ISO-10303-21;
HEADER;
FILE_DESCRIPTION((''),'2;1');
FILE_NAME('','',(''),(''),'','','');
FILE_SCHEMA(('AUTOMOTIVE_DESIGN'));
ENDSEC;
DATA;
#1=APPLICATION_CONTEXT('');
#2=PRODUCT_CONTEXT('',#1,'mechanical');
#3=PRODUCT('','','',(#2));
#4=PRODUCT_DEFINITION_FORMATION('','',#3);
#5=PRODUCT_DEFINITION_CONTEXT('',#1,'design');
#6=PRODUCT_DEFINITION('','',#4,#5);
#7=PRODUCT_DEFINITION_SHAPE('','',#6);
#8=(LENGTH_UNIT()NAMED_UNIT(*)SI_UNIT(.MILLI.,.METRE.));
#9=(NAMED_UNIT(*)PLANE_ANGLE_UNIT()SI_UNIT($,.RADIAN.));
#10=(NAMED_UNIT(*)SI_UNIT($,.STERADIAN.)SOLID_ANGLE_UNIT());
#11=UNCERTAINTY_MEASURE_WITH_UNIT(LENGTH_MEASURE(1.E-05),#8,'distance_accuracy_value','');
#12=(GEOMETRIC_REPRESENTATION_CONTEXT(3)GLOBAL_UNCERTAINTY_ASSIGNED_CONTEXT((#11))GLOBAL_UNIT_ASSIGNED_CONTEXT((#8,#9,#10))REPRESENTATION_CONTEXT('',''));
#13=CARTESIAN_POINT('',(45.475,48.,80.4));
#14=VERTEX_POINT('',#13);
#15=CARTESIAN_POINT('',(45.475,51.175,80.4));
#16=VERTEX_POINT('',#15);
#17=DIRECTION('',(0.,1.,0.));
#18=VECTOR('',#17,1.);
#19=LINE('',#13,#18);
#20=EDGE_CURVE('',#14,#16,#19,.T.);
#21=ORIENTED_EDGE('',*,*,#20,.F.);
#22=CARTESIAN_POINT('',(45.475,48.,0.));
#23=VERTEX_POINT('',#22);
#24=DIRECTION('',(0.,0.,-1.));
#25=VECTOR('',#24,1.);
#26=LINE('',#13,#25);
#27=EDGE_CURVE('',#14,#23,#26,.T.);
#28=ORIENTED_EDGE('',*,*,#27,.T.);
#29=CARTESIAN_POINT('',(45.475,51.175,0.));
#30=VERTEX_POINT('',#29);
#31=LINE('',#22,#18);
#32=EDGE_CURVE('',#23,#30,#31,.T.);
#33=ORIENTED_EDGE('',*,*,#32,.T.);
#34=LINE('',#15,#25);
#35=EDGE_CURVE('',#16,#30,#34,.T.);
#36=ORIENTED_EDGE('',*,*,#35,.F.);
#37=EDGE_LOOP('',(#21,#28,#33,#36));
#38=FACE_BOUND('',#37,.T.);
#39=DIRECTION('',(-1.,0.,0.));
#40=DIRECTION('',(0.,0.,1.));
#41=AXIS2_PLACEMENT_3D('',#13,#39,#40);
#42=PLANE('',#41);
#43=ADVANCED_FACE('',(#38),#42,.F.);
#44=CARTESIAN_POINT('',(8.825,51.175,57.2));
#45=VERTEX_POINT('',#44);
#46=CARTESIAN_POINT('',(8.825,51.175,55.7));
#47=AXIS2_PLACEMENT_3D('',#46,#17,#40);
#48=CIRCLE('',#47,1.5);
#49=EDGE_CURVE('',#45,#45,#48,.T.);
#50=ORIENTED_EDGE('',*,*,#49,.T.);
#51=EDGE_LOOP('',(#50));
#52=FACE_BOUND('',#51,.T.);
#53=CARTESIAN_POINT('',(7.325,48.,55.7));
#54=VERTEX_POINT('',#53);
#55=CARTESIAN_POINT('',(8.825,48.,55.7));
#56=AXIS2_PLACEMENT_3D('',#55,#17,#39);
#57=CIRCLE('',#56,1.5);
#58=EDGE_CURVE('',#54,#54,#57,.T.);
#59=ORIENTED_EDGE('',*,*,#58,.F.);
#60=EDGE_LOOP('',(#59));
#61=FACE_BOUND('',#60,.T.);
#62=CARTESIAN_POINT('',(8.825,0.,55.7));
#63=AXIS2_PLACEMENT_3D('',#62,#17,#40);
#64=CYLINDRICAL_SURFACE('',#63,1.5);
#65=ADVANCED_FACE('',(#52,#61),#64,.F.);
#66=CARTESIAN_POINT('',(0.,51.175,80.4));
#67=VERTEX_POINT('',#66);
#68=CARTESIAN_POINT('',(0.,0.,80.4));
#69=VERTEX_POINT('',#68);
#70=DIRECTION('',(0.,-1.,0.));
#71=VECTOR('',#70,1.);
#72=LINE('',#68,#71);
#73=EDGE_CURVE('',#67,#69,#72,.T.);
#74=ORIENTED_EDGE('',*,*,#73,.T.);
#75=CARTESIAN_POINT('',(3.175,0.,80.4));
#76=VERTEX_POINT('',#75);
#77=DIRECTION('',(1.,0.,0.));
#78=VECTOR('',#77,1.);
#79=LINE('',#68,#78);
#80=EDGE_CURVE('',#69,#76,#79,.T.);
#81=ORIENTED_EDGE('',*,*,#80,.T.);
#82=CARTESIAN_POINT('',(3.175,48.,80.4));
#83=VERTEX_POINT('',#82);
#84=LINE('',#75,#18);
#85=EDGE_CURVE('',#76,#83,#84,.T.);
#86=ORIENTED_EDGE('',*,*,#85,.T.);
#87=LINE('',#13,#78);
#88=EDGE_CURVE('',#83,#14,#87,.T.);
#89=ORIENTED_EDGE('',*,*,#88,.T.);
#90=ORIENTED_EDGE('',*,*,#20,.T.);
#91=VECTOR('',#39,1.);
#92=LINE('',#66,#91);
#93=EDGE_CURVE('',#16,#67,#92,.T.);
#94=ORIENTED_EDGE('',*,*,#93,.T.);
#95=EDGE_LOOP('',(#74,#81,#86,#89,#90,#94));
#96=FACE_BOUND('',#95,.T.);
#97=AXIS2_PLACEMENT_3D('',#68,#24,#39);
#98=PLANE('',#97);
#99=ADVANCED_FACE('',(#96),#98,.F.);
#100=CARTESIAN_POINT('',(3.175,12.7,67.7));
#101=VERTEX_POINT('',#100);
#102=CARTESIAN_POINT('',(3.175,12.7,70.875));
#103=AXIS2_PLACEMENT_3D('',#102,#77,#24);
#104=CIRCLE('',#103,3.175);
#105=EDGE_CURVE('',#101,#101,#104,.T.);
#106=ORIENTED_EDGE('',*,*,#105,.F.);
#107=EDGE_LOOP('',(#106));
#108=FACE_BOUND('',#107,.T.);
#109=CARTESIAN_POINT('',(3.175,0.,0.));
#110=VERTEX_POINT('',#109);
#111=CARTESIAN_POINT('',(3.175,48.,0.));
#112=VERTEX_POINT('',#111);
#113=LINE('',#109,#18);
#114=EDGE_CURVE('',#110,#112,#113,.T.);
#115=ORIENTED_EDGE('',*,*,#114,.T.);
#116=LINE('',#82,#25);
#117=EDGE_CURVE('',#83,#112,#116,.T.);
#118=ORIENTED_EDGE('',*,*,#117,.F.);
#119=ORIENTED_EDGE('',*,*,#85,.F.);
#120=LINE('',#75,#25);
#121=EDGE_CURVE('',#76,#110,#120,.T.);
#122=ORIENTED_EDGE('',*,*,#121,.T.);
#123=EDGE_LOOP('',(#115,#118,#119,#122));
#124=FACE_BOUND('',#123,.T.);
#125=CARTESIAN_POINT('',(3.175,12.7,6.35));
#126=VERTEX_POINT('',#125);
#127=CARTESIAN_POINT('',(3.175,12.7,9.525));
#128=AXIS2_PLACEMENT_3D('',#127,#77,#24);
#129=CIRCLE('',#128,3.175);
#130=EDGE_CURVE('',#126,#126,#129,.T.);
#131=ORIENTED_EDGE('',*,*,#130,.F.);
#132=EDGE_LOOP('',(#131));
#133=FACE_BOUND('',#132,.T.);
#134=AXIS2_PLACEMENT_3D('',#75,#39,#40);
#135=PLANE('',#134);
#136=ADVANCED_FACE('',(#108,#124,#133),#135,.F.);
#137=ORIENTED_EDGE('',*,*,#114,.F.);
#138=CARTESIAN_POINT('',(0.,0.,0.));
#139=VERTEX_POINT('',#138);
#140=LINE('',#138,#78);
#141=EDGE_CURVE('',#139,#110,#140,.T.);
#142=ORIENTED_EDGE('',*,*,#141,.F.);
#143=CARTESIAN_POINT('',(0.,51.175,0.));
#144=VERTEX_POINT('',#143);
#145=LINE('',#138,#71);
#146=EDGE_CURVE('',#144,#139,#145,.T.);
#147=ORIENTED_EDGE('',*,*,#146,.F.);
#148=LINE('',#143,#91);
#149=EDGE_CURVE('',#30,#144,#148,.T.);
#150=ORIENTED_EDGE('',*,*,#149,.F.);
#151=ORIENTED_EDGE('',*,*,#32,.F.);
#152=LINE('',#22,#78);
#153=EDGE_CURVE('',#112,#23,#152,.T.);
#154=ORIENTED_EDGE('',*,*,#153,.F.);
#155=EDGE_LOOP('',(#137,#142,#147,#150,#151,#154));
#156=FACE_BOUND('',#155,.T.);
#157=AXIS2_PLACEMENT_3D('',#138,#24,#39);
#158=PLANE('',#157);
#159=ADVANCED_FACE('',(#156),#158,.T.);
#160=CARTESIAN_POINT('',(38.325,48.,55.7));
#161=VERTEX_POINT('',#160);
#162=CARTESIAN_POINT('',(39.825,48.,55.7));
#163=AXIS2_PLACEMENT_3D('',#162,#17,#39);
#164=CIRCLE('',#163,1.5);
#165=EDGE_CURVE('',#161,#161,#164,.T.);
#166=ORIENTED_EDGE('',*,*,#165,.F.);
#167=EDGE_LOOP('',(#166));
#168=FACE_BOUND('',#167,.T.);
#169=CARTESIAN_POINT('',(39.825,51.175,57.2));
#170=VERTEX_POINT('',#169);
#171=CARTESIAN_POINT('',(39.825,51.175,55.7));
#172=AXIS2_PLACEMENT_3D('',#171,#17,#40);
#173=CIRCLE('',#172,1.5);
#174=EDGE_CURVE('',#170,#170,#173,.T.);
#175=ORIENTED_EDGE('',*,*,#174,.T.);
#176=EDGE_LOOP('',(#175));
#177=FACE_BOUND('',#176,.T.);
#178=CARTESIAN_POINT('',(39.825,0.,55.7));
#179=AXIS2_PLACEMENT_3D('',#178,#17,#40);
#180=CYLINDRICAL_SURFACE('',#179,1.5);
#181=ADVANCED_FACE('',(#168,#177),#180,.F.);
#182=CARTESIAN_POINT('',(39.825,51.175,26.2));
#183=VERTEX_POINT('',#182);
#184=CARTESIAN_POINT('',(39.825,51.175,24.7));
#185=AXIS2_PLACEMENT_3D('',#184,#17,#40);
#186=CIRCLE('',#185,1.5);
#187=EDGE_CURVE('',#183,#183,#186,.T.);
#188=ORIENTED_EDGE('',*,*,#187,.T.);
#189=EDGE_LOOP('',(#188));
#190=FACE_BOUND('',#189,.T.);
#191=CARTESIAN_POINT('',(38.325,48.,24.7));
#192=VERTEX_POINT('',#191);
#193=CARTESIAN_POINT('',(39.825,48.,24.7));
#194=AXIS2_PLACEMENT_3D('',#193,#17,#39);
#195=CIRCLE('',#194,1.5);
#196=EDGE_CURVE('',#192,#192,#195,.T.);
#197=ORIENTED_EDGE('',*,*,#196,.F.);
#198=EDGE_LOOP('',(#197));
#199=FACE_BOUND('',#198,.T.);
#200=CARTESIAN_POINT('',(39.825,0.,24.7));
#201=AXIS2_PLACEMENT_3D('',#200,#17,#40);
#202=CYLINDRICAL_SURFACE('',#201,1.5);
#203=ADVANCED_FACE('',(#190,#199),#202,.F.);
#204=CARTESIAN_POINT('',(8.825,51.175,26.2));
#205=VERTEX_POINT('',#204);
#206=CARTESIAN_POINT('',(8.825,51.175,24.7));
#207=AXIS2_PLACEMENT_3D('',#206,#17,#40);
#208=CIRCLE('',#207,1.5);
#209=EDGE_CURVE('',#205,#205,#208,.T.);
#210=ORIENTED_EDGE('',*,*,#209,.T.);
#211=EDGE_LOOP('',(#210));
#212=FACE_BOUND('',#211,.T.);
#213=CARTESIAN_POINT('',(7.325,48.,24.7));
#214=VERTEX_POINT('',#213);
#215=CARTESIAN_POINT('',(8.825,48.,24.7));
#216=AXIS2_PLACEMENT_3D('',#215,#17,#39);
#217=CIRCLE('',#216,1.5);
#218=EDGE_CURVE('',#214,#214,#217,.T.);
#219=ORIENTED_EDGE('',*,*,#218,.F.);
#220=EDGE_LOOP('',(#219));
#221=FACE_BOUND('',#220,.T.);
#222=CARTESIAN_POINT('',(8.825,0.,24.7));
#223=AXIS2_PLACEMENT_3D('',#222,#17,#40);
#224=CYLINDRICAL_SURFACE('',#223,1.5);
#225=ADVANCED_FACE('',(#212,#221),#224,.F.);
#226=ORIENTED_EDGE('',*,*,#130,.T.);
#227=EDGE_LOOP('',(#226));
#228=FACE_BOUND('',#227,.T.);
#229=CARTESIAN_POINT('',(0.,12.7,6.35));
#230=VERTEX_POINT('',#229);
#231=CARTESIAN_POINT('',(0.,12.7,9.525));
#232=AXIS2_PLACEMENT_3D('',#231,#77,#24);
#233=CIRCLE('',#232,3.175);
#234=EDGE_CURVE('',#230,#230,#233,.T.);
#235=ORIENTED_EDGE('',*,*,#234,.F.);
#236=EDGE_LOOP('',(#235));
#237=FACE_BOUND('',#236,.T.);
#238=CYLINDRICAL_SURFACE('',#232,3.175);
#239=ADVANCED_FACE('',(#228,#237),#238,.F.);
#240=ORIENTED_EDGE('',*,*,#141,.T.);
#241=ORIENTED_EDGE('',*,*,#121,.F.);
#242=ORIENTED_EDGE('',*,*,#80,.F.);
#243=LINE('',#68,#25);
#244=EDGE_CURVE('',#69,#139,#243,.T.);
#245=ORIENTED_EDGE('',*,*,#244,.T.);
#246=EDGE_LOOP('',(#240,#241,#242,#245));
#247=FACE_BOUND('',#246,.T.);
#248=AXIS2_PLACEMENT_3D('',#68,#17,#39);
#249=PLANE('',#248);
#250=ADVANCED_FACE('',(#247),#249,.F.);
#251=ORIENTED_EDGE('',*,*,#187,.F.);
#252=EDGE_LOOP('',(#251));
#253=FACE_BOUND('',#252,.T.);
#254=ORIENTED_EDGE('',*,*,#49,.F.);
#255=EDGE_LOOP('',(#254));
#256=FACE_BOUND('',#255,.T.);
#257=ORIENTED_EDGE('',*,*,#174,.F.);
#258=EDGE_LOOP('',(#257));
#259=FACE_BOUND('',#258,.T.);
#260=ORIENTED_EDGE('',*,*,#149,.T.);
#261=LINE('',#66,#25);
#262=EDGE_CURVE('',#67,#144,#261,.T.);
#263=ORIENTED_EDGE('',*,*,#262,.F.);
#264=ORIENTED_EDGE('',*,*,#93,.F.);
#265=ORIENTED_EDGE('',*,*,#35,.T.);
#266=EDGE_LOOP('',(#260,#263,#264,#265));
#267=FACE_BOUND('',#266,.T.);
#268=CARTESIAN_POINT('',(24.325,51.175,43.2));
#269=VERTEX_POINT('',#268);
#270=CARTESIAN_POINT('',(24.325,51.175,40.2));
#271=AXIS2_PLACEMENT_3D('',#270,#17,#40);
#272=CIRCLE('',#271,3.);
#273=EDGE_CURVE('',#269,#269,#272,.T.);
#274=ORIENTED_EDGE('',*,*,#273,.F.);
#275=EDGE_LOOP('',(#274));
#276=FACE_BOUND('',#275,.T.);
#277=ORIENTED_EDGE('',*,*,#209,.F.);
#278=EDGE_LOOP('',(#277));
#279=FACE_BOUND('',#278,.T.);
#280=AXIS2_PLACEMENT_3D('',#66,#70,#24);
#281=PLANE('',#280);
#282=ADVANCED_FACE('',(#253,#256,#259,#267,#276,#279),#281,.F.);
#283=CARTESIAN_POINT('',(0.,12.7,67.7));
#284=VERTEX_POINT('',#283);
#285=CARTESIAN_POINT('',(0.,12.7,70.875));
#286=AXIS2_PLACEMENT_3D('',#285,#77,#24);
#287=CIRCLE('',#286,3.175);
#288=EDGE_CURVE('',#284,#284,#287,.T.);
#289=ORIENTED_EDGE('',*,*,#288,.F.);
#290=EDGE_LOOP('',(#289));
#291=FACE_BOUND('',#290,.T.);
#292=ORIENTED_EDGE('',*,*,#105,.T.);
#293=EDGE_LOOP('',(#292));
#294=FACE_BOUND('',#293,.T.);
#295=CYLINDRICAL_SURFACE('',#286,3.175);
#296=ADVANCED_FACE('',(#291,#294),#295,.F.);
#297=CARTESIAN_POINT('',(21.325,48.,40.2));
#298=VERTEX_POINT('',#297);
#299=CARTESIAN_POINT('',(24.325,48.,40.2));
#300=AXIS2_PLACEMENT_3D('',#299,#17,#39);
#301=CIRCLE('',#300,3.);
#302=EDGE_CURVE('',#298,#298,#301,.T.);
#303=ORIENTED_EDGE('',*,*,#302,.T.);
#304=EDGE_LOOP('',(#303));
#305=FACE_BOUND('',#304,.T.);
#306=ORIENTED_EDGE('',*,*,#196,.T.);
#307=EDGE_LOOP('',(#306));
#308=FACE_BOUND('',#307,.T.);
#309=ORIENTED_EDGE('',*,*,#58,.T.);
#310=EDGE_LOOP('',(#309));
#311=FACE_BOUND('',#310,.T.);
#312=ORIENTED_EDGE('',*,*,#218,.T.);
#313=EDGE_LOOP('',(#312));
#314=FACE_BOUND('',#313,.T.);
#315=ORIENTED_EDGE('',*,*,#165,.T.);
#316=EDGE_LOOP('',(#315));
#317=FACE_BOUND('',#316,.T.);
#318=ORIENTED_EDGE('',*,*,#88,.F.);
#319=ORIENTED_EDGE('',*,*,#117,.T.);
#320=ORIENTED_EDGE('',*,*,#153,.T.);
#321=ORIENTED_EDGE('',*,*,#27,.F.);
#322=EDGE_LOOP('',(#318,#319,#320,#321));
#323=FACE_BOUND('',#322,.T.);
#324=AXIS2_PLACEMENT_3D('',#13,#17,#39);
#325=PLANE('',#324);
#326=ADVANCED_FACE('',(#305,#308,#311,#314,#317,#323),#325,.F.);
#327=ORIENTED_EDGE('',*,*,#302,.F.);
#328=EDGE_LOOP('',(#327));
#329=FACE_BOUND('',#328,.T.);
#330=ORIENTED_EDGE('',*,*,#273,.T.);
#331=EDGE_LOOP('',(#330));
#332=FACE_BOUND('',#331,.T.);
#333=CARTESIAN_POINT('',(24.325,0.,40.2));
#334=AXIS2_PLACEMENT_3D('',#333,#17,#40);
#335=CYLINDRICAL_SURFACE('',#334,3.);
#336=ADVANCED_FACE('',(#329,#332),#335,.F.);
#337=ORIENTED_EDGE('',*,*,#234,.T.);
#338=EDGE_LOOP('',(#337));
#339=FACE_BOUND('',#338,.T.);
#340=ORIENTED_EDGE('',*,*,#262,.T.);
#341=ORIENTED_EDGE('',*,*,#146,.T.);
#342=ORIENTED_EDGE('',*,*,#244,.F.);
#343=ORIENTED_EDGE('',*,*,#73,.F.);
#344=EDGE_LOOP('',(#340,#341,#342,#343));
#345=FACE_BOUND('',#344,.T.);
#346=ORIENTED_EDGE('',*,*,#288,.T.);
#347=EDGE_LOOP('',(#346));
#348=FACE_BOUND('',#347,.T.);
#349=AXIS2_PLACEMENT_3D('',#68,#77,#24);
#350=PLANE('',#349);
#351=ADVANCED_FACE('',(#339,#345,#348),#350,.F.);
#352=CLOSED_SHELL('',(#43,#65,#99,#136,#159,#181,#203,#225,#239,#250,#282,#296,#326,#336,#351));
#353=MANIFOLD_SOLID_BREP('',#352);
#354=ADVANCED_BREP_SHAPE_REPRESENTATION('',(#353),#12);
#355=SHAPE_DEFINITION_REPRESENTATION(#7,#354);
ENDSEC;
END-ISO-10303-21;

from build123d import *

# Parameters (mm, degrees)
BOSS_EXTRUDE1_DEPTH = 80.4
SKETCH2_R           = 3.175
CUT_EXTRUDE1_DEPTH  = 4.175
SKETCH3_R           = 1.5
SKETCH3_R_2         = 3
CUT_EXTRUDE2_DEPTH  = 52.175


with BuildPart() as part:
    # Sketch1 → Boss-Extrude1 (new body)
    with BuildSketch(Plane.XY):
        Polygon((0, 0), (3.175, 0), (3.175, 48), (45.475, 48), (45.475, 51.175), (0, 51.175), align=None)
    extrude(amount=BOSS_EXTRUDE1_DEPTH)

    # Sketch2 → Cut-Extrude1 (cut, through all)
    with BuildSketch(Plane(origin=(3.175, 0, 0), x_dir=(0, 0, -1), z_dir=(1, 0, 0))):
        with Locations((-70.875, 12.7)):
            Circle(SKETCH2_R)
        with Locations((-9.525, 12.7)):
            Circle(SKETCH2_R)
    extrude(amount=-CUT_EXTRUDE1_DEPTH, mode=Mode.SUBTRACT)

    # Sketch3 → Cut-Extrude2 (cut, through all)
    with BuildSketch(Plane(origin=(0, 51.175, 0), x_dir=(1, 0, 0), z_dir=(0, 1, 0))):
        with Locations((39.825, -55.7)):
            Circle(SKETCH3_R)
        with Locations((8.825, -55.7)):
            Circle(SKETCH3_R)
        with Locations((8.825, -24.7)):
            Circle(SKETCH3_R)
        with Locations((39.825, -24.7)):
            Circle(SKETCH3_R)
        with Locations((24.325, -40.2)):
            Circle(SKETCH3_R_2)
    extrude(amount=-CUT_EXTRUDE2_DEPTH, mode=Mode.SUBTRACT)


solid = part.part
